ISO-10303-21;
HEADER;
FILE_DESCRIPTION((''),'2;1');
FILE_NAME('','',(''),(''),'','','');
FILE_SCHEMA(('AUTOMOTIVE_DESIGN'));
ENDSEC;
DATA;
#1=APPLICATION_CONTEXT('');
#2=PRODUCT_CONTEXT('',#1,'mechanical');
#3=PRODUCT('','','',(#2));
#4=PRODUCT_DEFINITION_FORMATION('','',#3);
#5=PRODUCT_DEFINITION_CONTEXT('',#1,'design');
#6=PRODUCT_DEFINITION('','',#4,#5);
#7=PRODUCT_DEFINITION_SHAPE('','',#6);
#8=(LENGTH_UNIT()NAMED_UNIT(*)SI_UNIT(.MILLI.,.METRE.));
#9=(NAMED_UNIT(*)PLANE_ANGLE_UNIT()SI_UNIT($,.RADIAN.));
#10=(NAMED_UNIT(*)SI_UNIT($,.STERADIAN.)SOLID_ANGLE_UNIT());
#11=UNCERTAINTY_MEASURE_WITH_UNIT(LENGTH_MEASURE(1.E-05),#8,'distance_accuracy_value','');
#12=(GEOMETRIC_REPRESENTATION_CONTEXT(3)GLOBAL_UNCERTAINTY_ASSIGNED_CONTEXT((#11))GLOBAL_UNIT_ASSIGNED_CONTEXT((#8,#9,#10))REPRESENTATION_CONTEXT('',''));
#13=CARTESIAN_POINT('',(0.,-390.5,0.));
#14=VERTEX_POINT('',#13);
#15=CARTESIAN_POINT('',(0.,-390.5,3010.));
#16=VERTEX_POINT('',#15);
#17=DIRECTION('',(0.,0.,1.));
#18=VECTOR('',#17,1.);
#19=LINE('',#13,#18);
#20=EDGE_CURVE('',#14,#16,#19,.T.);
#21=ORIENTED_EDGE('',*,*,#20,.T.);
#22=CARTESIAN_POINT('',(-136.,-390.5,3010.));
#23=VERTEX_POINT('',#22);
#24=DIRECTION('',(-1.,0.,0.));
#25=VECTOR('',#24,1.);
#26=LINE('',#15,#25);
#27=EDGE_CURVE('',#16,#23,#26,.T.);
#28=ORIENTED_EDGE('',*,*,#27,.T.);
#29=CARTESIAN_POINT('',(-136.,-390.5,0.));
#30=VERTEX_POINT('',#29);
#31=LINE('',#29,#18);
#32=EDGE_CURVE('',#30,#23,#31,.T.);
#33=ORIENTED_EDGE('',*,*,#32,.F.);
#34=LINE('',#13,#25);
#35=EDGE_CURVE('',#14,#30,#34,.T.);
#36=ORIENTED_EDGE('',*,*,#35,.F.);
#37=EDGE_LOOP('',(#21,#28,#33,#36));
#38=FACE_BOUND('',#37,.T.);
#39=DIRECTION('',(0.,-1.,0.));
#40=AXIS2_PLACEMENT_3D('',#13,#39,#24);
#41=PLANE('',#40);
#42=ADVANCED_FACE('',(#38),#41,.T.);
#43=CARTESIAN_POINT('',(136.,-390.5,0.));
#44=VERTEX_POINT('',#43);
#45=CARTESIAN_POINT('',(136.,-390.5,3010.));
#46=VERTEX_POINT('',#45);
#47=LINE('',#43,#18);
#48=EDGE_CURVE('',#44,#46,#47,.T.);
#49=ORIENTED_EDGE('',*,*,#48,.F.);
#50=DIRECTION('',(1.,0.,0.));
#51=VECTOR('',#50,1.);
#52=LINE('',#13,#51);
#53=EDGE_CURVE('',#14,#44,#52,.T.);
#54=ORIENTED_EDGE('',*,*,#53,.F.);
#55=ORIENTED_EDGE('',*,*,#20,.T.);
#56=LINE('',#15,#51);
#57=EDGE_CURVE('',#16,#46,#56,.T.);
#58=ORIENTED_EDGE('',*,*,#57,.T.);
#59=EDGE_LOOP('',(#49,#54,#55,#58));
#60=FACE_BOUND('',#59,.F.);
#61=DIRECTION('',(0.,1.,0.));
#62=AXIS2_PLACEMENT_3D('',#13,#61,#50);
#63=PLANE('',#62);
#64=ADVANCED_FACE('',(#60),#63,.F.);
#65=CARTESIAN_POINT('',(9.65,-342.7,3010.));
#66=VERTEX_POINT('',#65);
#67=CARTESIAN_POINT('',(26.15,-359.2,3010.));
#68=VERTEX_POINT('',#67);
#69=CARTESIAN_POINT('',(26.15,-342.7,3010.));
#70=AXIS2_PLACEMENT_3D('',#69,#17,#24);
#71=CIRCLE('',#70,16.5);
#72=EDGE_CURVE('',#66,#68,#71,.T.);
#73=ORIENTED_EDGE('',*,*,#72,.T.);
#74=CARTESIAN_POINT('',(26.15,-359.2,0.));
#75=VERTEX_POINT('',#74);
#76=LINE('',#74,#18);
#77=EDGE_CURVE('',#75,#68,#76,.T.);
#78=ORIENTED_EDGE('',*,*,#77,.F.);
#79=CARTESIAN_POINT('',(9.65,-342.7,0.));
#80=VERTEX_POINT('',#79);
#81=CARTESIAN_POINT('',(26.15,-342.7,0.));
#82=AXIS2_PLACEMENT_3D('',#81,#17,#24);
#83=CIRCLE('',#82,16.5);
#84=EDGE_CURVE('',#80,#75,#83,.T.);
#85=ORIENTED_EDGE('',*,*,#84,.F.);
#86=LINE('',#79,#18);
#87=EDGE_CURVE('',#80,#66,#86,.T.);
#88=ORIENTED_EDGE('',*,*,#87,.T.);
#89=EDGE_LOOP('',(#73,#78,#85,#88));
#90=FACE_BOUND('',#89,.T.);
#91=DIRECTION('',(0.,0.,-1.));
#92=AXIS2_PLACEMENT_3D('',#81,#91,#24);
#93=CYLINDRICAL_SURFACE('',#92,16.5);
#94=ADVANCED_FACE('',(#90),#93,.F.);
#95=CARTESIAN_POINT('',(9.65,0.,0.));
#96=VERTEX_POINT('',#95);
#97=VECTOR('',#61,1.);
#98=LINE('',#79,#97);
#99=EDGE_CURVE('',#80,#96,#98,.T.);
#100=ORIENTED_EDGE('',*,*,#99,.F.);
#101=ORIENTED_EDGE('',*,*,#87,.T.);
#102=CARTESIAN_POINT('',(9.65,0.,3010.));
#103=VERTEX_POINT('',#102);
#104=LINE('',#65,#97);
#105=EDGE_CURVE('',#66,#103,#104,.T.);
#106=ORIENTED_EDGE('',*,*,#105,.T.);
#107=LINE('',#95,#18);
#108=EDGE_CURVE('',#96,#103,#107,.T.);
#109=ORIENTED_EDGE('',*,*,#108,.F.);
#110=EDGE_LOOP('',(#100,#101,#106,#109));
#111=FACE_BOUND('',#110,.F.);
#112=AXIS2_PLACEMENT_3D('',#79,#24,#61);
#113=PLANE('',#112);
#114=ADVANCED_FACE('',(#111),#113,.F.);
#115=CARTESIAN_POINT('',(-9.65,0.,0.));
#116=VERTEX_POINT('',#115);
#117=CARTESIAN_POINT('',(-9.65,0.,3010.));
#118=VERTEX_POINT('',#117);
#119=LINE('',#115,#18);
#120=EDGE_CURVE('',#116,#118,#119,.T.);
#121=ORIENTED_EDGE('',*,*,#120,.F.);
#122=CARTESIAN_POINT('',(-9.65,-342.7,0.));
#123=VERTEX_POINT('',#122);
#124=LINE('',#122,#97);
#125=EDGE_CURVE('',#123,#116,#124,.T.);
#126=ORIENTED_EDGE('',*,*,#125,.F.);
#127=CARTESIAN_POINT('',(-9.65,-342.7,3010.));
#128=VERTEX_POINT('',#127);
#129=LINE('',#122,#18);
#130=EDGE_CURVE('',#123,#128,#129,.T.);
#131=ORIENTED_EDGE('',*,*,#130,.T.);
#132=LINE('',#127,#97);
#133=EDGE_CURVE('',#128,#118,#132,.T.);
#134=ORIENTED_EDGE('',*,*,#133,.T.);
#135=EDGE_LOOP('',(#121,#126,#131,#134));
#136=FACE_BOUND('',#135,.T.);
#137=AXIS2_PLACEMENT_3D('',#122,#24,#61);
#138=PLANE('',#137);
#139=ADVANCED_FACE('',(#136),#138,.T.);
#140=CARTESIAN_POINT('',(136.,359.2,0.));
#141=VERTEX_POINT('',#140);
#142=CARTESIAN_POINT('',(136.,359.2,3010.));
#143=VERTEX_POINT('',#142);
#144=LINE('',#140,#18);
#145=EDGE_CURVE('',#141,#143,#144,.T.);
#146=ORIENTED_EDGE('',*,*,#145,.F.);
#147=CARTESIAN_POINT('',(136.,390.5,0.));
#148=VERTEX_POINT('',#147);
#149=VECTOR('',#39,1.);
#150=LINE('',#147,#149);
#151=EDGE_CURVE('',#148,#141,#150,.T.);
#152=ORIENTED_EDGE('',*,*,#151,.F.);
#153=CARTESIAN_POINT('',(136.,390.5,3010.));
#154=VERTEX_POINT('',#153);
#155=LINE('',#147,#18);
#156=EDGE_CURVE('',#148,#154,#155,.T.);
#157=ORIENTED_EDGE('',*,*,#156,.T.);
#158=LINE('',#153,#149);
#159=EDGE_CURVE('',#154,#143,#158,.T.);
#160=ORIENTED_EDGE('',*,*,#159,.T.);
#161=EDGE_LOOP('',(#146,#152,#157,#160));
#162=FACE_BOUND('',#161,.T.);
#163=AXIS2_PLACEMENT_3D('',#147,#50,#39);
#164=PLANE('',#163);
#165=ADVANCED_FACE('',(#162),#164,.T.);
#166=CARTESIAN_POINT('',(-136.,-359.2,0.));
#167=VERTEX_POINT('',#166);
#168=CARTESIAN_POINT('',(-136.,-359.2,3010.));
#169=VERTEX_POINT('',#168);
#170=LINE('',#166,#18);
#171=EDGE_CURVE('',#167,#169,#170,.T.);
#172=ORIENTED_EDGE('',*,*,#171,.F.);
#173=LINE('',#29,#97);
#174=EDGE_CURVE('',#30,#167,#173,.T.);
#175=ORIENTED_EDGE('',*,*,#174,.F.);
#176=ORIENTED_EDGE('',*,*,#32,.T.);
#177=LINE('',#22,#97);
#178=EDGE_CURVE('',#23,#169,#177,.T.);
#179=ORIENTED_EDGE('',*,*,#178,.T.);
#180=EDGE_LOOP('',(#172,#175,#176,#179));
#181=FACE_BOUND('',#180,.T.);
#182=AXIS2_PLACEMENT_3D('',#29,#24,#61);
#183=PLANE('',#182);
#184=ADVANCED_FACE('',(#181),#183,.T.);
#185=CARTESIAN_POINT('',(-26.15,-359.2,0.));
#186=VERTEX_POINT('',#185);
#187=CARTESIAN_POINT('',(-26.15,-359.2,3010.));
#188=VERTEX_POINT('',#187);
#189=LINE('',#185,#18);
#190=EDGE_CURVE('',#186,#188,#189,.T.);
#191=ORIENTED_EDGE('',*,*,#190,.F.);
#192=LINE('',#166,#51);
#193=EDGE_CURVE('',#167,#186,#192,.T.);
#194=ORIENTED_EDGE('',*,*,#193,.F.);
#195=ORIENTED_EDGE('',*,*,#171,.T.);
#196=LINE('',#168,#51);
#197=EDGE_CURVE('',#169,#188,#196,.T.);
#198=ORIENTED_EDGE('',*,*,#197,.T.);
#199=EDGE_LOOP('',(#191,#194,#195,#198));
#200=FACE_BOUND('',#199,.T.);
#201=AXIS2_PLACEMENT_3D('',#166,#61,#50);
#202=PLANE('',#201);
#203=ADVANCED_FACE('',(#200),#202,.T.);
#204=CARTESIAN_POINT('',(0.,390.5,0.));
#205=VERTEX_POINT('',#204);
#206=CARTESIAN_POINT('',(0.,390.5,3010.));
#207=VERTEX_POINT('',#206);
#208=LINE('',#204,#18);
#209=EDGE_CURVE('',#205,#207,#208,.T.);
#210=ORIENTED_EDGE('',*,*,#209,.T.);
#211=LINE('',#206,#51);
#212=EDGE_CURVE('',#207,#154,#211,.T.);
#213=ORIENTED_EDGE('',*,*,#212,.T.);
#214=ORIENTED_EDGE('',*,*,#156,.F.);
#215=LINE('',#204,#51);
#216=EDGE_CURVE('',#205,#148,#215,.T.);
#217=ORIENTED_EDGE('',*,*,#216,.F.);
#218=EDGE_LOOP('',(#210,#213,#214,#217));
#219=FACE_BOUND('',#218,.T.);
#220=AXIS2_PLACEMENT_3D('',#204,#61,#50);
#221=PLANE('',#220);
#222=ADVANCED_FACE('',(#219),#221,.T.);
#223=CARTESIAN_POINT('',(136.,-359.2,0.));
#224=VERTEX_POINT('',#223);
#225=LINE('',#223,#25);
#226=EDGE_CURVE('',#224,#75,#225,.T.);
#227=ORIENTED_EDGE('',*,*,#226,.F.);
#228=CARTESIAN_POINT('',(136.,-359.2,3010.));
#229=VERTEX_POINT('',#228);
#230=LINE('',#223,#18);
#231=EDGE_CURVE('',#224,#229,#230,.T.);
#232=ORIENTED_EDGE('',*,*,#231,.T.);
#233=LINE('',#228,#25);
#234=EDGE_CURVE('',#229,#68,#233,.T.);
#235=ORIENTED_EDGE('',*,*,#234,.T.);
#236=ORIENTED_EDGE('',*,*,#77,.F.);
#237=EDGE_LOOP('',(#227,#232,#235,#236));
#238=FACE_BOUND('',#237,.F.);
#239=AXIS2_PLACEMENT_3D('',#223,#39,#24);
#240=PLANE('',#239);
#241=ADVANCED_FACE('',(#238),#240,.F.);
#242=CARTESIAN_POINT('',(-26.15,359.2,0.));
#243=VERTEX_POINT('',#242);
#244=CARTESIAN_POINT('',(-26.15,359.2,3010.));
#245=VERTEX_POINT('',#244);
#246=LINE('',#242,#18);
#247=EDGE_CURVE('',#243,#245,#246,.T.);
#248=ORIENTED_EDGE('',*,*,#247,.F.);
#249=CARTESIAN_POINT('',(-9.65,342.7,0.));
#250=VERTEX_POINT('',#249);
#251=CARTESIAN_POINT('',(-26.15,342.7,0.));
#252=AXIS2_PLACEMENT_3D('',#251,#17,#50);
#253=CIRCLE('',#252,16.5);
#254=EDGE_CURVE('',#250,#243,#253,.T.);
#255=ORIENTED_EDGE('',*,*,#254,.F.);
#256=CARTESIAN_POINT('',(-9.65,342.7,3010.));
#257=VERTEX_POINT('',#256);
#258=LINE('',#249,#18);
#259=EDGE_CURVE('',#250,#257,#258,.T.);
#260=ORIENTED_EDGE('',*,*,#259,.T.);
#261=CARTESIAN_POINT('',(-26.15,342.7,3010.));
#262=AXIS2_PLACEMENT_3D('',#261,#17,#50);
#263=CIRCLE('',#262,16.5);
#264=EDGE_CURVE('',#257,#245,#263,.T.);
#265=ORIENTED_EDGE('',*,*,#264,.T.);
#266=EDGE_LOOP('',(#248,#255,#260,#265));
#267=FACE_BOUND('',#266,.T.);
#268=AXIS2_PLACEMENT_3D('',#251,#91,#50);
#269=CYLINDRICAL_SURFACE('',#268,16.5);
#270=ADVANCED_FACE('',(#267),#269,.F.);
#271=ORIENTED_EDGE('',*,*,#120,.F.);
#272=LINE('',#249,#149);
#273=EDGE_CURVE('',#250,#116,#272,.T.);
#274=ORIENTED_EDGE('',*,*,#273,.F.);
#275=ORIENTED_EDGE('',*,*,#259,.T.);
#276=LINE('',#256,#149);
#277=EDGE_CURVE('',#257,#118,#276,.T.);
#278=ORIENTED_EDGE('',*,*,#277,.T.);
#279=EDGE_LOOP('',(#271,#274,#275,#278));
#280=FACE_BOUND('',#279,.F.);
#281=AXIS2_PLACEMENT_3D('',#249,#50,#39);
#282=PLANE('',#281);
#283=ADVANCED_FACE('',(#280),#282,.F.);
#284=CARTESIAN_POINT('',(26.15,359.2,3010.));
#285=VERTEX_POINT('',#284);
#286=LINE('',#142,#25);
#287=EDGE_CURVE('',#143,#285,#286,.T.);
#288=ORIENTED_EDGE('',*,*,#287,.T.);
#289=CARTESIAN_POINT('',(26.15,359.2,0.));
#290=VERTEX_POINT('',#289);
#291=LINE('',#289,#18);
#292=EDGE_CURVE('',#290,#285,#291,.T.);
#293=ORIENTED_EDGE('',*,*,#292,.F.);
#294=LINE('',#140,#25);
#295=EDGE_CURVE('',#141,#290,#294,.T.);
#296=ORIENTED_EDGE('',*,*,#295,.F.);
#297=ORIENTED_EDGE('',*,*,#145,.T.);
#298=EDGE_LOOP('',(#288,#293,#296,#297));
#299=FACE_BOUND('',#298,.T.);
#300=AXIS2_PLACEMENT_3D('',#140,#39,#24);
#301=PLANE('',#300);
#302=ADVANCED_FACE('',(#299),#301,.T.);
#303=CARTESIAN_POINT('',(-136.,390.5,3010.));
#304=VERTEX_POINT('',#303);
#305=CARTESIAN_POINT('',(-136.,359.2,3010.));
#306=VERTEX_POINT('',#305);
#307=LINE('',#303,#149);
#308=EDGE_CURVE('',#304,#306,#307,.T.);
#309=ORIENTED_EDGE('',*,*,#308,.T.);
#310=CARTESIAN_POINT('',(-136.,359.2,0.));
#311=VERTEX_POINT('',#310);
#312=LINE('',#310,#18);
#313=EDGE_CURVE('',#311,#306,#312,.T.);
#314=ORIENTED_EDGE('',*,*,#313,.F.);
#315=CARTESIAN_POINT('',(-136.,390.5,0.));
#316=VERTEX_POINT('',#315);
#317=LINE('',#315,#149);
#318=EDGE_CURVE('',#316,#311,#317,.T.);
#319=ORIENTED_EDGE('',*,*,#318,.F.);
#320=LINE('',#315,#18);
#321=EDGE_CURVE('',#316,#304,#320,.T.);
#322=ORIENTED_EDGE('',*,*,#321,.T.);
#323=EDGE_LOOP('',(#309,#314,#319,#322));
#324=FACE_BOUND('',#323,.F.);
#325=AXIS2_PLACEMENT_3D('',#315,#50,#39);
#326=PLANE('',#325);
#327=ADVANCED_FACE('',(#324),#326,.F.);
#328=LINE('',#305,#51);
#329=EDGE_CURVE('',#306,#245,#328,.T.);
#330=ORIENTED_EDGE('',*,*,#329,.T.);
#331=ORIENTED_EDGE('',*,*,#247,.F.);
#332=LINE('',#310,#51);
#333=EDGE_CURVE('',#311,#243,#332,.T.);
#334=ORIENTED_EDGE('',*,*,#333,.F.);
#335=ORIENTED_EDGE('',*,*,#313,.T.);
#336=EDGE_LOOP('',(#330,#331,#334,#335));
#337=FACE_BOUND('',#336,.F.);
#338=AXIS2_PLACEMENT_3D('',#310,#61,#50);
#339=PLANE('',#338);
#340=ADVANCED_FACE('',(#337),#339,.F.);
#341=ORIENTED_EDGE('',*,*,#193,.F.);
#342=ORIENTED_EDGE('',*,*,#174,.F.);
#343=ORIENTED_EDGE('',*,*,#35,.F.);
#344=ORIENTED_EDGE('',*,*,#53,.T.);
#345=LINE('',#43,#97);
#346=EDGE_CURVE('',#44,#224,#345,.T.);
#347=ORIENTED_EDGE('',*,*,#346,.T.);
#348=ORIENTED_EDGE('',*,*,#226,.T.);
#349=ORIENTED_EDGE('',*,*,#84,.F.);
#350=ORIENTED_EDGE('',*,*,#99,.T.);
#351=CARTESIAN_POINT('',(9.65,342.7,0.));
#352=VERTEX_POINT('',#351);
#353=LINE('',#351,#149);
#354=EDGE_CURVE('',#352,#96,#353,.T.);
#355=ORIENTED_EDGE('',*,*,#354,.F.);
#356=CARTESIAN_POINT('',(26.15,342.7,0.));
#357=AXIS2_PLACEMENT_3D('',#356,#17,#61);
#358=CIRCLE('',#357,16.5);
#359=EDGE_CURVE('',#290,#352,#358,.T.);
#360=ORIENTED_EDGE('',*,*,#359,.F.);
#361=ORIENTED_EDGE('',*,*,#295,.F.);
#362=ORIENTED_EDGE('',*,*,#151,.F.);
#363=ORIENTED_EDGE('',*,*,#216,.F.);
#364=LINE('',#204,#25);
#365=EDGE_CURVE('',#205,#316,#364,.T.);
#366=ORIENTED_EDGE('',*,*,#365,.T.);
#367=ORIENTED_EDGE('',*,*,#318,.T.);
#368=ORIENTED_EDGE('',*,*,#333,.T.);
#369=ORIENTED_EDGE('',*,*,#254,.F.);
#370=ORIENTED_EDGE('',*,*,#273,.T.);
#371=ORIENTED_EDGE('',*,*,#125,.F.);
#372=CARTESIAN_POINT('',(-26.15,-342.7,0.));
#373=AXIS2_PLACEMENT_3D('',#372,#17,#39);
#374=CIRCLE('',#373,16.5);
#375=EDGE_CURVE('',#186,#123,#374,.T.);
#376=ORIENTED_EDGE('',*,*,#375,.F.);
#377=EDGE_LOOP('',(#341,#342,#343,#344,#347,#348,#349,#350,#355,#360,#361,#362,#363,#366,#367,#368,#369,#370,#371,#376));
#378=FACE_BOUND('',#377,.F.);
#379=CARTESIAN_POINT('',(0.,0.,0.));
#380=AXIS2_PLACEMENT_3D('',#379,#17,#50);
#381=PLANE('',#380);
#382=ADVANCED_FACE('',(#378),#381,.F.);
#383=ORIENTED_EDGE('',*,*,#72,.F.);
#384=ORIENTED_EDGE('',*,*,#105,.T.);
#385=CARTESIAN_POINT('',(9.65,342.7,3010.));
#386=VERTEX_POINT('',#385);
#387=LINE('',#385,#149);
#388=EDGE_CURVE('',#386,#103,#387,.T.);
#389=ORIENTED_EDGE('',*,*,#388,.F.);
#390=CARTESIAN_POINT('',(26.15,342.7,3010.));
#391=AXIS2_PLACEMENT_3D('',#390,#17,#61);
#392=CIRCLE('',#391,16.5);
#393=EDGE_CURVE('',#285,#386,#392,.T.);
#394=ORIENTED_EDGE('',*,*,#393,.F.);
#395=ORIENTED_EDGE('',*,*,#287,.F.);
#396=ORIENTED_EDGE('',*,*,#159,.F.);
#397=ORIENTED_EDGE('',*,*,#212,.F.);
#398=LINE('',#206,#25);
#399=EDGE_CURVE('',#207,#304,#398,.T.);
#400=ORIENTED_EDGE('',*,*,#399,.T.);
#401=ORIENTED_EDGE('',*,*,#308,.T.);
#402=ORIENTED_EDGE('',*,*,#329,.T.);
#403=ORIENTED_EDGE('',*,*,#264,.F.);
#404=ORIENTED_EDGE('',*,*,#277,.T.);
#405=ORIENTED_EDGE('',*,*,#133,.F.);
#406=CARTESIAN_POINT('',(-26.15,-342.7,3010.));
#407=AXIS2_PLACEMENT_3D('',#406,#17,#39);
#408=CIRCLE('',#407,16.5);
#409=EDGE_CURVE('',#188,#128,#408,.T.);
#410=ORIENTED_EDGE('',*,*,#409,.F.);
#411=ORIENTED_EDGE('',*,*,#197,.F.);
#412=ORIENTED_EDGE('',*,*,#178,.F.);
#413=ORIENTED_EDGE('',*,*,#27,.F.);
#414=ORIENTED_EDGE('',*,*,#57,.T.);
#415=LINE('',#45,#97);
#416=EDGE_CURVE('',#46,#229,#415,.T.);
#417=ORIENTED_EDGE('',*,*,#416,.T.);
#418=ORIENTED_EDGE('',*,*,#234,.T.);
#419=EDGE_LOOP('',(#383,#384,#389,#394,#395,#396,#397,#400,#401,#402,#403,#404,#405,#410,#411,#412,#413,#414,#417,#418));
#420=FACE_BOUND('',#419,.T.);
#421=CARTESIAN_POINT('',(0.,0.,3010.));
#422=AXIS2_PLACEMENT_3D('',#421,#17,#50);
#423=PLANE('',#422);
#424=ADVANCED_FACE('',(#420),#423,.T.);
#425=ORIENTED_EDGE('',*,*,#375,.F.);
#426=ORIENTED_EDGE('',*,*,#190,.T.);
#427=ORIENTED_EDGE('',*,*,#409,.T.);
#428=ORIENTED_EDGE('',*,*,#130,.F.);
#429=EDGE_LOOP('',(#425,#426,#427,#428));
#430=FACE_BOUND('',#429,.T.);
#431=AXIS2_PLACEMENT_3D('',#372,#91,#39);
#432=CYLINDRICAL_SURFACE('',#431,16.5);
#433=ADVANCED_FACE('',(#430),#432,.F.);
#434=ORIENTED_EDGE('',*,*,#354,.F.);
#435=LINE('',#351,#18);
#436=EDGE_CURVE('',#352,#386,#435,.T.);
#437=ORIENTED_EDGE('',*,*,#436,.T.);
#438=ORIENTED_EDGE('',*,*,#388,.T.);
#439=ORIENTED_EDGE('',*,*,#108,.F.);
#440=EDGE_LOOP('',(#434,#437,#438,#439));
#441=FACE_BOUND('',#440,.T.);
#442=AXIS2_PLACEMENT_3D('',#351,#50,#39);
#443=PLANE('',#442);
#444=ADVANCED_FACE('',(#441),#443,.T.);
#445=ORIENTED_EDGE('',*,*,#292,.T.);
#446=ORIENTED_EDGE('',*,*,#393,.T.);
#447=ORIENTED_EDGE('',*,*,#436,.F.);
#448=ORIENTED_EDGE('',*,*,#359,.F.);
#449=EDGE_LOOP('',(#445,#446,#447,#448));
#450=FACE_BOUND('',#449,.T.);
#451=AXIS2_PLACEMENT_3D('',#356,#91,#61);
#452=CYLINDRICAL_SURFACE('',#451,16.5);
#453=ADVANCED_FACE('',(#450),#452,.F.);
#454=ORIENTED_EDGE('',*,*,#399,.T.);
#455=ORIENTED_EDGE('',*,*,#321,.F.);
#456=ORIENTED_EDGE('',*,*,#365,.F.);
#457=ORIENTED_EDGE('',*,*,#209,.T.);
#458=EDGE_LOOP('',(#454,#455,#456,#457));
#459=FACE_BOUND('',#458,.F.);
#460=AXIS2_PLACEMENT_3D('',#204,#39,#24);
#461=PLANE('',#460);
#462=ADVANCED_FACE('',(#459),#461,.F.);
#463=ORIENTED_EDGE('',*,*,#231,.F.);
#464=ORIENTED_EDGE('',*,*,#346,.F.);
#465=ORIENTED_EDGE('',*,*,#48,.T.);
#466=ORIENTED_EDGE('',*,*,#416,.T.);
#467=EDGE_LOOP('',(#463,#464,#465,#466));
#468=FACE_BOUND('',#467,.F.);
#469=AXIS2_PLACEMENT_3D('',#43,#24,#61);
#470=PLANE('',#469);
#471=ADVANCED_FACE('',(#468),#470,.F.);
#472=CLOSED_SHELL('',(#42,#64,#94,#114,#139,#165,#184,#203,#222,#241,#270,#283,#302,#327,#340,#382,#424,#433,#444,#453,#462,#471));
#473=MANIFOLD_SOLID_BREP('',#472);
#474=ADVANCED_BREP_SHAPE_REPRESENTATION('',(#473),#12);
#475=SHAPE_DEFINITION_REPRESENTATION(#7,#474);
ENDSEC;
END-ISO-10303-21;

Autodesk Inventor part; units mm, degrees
ref_plane "YZ Plane" through (0, 0, 0) normal (1, 0, 0) x (0, 1, 0)
ref_plane "Start plane" through (0, 0, 0) normal (0, 0, 1) x (1, 0, 0)
ref_plane "End plane" through (0, 0, 3010) normal (0, 0, 1) x (1, 0, 0)
sketch "Sketch" plane through (0, 0, 0) normal (0, 0, 1) x (1, 0, 0)
  line L0 (-136, -390.5) -> (-136, -359.2)
  line L1 (-136, -359.2) -> (-26.15, -359.2)
  line L2 (-9.65, -342.7) -> (-9.65, 0)
  line L3 (-9.65, 0) -> (0, 0) construction
  line L4 (0, 0) -> (0, -390.5) construction
  line L5 (0, -390.5) -> (-136, -390.5)
  line L6 (-60, 0) -> (80, 0) construction
  line L7 (0, -60) -> (0, 80) construction
  line L8 (136, -390.5) -> (136, -359.2)
  line L9 (136, -359.2) -> (26.15, -359.2)
  line L10 (9.65, -342.7) -> (9.65, 0)
  line L11 (9.65, 0) -> (0, 0) construction
  line L12 (0, -390.5) -> (136, -390.5)
  line L13 (-136, 390.5) -> (-136, 359.2)
  line L14 (-136, 359.2) -> (-26.15, 359.2)
  line L15 (-9.65, 342.7) -> (-9.65, 0)
  line L16 (0, 390.5) -> (-136, 390.5)
  line L17 (136, 390.5) -> (136, 359.2)
  line L18 (136, 359.2) -> (26.15, 359.2)
  line L19 (0, 390.5) -> (136, 390.5)
  line L20 (9.65, 342.7) -> (9.65, 0)
  arc A0 (-9.65, 342.7) -> (-26.15, 359.2) centre (-26.15, 342.7) ccw
  arc A1 (26.15, 359.2) -> (9.65, 342.7) centre (26.15, 342.7) ccw
  arc A2 (9.65, -342.7) -> (26.15, -359.2) centre (26.15, -342.7) ccw
  arc A3 (-26.15, -359.2) -> (-9.65, -342.7) centre (-26.15, -342.7) ccw
  line L21 (0, 108) -> (0, -88) construction
  line L22 (-88, 0) -> (108, 0) construction
  point P0 (-9.65, -359.2)
  point P1 (9.65, -359.2)
  point P2 (-9.65, 359.2)
  point P3 (9.65, 359.2)
  dimension "d1" = 390.5
  dimension "d2" = 31.3
  dimension "d3" = 136
  dimension "d4" = 9.65
  dimension "d10" = 16.5
extrude "Body" add sketch "Sketch" along normal up to surface (3010 mm away) from surface at 0
sketch "Sketch4" plane through (0, 0, 0) normal (0, 0, 1) x (1, 0, 0)
  line L0 (0, 0) -> (10, 0)
ref_plane "Work Plane3" through (0, 0, 0) normal (0, -1, 0) x (1, 0, 0)
sketch "Sketch5" plane through (0, 0, 0) normal (0, -1, 0) x (1, 0, 0)
  line L0 (-2, 0) -> (12, 0) projected
  line L1 (-2, 3010) -> (12, 3010) projected
  dimension "d14" = 3010
equation "\"d1\" = 0.5 * G_H"
equation "\"d2\" = G_T1"
equation "\"d3\" = 0.5 * G_W"
equation "\"d4\" = 0.5 * G_T"
equation "\"d10\" = G_IR"
equation "\"d5\" = G_L"
equation "\"G_W\" = 272"
equation "\"G_H\" = 781"
equation "\"G_T\" = 19.3"
equation "\"G_T1\" = 31.3"
equation "\"G_IR\" = 16.5"
equation "\"G_L\" = d14"
equation "\"G_OFFSET_START\" = 0"
equation "\"G_OFFSET_END\" = 0"
properties part number "AS 3679-1990 - 760 UB - 244 - 3010" material "Steel, Mild"
